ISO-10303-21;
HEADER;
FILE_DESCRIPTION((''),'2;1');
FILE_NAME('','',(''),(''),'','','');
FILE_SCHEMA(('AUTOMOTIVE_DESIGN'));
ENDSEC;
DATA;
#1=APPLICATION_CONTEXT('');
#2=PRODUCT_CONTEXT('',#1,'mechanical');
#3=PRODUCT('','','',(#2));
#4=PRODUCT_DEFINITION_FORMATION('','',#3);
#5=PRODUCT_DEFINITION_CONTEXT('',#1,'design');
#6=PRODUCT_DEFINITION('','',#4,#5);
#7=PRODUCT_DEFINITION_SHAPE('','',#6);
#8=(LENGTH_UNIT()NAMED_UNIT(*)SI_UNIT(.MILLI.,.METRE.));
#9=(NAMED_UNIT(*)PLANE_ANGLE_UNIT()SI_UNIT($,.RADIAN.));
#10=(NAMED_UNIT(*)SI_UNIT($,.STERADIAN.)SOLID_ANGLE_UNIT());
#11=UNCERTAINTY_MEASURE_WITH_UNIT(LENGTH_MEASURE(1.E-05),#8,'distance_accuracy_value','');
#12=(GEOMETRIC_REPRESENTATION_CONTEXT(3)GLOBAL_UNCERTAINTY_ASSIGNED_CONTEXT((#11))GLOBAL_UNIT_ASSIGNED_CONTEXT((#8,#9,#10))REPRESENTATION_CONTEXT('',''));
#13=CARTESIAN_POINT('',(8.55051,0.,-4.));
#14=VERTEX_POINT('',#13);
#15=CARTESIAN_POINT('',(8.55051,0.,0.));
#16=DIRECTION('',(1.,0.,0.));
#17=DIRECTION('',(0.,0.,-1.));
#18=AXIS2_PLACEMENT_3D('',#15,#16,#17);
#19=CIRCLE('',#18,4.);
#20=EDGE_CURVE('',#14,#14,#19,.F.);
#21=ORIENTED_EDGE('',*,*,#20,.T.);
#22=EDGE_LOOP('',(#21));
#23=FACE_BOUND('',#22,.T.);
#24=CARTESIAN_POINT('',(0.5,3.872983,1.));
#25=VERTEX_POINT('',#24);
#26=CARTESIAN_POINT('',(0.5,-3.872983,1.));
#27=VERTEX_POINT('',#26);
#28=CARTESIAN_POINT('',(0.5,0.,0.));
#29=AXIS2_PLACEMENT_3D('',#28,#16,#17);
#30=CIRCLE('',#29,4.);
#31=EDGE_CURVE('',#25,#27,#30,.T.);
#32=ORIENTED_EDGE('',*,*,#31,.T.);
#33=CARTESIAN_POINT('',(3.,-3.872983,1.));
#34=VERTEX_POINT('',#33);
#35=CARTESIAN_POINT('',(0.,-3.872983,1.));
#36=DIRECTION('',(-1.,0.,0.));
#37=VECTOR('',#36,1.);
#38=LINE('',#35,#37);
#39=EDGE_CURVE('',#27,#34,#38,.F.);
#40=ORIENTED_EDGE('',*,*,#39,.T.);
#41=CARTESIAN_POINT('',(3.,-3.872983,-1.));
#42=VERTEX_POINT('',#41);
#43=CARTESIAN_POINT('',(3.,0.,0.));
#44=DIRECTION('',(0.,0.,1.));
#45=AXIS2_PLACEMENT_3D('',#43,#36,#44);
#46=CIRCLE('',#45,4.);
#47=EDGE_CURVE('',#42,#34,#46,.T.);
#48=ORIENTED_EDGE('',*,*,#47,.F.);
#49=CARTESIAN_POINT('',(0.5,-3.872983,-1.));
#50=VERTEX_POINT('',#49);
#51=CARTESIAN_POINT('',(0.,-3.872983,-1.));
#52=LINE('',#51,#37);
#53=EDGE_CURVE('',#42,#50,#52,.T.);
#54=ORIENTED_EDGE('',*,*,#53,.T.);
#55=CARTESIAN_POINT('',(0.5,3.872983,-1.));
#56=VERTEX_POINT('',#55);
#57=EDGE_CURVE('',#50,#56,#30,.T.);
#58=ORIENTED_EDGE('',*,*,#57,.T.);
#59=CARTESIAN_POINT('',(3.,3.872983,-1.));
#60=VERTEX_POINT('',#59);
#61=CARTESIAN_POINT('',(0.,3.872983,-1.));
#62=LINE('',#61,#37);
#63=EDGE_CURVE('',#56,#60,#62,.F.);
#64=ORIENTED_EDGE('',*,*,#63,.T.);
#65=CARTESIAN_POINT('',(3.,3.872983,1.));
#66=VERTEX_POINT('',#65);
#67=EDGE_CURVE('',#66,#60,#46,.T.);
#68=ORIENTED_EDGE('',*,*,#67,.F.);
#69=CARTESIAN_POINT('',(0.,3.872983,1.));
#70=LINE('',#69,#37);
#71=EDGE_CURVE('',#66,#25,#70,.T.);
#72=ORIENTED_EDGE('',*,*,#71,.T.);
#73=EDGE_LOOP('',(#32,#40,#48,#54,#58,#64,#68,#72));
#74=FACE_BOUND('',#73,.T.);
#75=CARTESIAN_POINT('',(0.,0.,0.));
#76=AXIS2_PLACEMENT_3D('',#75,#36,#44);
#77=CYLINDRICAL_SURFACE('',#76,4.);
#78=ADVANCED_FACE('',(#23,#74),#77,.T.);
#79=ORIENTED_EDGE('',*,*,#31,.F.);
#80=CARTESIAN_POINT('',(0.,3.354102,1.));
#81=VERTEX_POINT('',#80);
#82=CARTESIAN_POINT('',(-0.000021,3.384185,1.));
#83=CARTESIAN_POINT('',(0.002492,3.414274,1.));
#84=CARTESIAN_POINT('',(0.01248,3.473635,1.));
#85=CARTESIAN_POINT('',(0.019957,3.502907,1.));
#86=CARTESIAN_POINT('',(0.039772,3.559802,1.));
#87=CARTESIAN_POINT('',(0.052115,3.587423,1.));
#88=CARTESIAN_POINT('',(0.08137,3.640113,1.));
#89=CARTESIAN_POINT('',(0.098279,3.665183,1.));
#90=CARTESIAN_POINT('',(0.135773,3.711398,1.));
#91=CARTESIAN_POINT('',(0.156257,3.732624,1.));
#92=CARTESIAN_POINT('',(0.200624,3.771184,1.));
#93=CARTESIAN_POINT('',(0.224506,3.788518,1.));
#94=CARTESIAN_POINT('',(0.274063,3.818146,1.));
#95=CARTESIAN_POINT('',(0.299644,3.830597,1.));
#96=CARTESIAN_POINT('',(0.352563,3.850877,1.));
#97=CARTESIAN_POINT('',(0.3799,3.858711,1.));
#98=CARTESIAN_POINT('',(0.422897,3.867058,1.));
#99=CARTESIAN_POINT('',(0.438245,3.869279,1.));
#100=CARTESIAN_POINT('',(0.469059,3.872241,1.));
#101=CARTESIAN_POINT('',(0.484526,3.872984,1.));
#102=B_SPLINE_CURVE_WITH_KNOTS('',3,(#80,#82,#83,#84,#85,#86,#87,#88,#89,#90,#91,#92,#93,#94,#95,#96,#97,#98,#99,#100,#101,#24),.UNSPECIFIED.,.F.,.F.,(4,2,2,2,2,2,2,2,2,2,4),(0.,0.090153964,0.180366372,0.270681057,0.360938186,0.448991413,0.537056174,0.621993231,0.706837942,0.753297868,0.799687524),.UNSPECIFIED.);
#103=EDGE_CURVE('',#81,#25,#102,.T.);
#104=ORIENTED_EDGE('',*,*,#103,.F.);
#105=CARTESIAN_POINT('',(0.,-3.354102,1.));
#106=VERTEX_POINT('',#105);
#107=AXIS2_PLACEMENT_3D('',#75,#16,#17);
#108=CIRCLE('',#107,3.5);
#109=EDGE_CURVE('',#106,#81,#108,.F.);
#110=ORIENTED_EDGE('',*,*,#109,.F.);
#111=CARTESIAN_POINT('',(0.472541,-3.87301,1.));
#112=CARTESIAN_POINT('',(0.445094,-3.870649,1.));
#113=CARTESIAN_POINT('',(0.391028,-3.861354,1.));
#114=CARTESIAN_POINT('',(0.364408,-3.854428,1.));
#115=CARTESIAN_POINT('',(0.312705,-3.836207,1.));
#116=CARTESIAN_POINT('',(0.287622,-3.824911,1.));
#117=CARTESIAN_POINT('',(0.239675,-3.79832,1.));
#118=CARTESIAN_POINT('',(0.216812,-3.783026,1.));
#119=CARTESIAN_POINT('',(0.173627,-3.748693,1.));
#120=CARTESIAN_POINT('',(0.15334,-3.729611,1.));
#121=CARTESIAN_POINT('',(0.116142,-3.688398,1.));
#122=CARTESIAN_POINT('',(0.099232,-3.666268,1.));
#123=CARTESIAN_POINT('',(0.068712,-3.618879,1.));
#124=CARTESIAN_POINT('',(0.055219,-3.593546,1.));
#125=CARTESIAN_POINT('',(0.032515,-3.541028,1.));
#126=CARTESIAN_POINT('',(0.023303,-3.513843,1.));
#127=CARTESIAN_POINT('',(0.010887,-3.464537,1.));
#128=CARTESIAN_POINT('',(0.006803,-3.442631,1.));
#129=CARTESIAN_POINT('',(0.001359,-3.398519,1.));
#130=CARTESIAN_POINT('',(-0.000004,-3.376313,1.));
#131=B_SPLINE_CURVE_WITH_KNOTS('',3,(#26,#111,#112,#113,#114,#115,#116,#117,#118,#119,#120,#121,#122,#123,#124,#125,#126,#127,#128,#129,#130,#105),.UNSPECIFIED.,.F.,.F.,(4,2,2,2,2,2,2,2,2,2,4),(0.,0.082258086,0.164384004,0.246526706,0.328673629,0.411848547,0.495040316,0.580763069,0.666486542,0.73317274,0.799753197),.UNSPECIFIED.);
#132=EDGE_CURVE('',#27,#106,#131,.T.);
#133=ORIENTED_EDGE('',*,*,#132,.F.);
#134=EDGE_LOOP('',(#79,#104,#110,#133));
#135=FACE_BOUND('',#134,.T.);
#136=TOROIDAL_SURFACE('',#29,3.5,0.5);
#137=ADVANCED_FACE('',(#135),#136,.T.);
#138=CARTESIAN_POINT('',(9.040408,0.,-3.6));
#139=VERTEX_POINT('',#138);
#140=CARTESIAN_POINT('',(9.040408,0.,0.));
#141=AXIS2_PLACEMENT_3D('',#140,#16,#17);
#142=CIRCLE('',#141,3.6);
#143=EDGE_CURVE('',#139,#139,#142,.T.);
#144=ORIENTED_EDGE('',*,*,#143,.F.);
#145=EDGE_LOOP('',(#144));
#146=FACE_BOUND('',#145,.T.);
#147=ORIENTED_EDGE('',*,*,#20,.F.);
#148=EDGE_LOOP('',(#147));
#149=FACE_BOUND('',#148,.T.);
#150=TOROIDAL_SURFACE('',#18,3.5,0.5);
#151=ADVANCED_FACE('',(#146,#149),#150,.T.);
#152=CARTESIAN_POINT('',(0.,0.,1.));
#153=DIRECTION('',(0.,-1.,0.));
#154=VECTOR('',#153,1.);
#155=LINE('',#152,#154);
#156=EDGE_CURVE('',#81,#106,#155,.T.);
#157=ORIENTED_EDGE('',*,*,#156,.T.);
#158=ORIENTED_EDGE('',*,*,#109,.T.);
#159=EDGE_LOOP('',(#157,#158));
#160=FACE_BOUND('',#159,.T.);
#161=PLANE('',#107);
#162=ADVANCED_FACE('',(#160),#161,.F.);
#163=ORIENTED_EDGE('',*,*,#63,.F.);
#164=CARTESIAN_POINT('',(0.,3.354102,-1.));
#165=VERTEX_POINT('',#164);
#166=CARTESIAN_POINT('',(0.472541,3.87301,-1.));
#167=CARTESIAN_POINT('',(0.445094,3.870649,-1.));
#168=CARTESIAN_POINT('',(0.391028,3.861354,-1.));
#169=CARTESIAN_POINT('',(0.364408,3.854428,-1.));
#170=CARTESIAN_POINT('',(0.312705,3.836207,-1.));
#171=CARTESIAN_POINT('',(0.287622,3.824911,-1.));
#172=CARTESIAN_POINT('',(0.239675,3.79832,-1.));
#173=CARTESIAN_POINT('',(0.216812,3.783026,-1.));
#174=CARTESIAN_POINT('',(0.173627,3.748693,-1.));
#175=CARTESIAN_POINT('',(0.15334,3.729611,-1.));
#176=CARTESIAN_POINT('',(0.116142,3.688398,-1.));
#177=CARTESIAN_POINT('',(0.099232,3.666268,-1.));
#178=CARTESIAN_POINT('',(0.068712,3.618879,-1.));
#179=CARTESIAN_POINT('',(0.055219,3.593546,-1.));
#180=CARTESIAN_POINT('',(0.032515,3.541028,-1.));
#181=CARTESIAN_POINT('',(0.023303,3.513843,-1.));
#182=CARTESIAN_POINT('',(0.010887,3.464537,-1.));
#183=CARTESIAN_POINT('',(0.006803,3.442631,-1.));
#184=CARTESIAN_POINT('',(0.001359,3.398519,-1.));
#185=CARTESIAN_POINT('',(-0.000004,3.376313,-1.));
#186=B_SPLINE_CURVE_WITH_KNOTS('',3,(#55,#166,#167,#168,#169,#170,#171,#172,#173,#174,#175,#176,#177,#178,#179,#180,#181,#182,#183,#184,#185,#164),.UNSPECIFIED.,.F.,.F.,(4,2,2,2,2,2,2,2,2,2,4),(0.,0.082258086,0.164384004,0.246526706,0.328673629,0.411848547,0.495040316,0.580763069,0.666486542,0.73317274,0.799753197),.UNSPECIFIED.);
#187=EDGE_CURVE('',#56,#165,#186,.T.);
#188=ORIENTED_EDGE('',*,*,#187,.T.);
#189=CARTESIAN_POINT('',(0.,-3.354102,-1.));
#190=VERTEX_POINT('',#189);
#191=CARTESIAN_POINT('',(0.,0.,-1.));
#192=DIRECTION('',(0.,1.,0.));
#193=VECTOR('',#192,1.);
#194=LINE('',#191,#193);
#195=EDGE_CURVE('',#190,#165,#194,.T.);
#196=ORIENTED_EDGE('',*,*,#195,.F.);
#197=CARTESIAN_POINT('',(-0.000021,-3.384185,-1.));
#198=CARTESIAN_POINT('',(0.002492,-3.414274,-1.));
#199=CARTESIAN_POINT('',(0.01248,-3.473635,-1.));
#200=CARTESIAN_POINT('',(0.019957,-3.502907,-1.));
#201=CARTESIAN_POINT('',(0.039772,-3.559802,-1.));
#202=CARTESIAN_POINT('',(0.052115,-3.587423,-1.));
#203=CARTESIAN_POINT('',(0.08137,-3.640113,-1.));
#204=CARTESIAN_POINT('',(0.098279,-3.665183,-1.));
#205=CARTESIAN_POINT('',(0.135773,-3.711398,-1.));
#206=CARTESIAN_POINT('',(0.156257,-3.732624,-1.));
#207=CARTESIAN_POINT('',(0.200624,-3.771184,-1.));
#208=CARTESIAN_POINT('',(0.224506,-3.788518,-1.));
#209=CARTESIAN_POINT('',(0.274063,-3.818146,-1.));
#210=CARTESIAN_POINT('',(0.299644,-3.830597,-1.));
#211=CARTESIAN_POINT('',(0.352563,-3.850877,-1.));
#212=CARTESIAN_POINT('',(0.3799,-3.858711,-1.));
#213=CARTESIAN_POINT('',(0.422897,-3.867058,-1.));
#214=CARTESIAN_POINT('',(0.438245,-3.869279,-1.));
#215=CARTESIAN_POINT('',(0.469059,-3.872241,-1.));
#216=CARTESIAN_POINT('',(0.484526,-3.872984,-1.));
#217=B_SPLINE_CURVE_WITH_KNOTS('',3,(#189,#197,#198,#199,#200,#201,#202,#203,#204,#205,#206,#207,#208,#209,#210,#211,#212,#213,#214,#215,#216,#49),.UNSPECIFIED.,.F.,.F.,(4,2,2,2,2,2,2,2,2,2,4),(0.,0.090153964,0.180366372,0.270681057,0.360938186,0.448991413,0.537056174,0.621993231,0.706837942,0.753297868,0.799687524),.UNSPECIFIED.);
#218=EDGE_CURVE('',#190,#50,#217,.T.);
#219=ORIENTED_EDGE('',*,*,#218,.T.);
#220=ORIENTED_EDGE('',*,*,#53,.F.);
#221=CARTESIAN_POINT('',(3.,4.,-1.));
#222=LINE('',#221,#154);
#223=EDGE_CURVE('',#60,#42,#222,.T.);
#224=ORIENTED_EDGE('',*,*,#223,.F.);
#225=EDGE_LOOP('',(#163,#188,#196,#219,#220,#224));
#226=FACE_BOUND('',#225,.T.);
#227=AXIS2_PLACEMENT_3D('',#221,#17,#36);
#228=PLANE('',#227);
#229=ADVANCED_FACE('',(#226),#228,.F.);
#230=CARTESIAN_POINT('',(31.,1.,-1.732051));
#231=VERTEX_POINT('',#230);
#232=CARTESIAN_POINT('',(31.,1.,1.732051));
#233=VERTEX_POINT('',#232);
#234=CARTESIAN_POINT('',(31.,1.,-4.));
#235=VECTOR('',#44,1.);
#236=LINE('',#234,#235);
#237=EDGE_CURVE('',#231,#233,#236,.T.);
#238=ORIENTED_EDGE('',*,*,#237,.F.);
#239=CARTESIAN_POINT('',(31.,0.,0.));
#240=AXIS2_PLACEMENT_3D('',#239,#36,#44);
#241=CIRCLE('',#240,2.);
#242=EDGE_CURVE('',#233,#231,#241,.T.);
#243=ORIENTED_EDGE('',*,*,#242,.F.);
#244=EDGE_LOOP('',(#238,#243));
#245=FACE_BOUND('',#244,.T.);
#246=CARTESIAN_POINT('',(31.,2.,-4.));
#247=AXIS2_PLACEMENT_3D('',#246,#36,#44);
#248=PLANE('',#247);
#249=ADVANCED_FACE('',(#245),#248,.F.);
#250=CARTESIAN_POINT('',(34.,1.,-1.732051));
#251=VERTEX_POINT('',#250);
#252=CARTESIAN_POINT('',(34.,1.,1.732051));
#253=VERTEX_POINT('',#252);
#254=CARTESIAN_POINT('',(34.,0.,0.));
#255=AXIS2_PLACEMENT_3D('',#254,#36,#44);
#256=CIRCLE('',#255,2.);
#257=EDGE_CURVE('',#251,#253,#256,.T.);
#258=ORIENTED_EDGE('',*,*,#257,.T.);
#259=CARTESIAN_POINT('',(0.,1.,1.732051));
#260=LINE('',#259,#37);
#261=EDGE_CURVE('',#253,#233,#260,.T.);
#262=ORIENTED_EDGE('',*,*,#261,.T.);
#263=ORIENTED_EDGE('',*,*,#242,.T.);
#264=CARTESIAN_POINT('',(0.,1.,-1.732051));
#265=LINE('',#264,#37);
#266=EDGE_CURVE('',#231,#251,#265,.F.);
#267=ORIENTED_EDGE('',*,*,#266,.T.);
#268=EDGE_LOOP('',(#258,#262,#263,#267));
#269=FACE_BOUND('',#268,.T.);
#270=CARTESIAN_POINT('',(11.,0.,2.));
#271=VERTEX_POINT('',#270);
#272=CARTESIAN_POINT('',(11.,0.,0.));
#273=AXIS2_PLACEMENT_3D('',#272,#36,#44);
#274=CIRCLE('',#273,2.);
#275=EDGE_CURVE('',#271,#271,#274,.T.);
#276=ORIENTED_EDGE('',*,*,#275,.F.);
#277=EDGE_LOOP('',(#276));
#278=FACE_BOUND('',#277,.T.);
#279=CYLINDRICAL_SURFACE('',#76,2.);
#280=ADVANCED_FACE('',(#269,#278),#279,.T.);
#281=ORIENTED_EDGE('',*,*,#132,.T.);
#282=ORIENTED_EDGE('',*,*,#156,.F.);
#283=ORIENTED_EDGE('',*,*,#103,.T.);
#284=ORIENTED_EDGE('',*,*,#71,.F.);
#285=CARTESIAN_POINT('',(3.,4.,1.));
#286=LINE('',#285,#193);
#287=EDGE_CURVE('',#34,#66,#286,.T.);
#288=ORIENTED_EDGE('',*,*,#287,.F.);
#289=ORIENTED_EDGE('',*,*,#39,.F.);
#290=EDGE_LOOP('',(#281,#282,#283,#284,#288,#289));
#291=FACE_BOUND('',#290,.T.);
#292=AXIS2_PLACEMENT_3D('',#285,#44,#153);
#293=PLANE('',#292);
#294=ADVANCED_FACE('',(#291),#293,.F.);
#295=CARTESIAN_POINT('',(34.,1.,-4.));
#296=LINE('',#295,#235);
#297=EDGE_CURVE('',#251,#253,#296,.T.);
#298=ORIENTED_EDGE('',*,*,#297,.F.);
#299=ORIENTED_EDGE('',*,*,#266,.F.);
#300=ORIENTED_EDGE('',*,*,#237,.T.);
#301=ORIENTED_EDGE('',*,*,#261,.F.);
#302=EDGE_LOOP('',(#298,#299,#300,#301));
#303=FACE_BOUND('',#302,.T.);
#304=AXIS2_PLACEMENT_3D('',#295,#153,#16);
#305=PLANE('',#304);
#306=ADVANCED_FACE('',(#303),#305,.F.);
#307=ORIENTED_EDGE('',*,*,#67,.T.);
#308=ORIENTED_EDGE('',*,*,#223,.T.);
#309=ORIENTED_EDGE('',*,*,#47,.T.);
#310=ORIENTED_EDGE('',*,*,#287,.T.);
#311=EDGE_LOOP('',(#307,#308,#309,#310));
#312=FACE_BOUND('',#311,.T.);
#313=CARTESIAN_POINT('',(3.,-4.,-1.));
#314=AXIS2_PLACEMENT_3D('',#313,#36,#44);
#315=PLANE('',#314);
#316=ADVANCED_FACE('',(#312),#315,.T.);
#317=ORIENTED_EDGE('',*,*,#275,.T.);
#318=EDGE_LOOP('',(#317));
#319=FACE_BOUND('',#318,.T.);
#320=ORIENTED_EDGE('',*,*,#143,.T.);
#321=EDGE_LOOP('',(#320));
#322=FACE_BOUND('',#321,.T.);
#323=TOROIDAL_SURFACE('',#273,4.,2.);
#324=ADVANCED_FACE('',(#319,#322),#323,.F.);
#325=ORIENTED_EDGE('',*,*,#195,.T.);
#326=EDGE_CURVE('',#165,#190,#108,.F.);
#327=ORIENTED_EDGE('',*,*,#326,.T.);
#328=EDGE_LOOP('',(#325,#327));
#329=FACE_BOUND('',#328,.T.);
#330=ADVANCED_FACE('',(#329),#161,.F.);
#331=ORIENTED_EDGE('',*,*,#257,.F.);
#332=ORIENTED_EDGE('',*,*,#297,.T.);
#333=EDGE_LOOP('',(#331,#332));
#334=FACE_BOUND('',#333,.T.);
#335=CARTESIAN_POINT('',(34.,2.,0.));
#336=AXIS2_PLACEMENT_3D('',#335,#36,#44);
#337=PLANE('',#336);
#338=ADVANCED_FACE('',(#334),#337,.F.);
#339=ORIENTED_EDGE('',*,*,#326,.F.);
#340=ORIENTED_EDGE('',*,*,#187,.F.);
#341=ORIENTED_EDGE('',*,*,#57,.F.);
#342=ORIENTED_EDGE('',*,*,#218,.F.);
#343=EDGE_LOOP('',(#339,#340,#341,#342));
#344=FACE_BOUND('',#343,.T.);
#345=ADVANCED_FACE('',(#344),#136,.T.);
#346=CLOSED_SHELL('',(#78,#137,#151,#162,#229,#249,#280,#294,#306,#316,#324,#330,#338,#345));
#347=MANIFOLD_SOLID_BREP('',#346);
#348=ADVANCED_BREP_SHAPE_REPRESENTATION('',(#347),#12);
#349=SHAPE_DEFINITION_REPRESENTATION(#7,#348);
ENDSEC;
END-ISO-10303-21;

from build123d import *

# Parameters (mm, degrees)
SKETCH2_W          = 2
SKETCH2_H          = 8
CUT_EXTRUDE1_DEPTH = 3
FILLET1_R          = 0.5
SKETCH3_W          = 3
SKETCH3_H          = 1
CUT_EXTRUDE2_DEPTH = 4


with BuildPart() as part:
    # Sketch1 → Revolve1 (revolve)
    with BuildSketch(Plane.XY):
        with BuildLine():
            Line((0, 0), (0, 4))
            Line((0, 4), (9, 4))
            ThreePointArc((9, 4), (9.585786438, 2.585786438), (11, 2))
            Line((11, 2), (34, 2))
            Line((34, 2), (34, 0))
            Line((34, 0), (0, 0))
        make_face()
    revolve(axis=Axis((0, 0, 0), (1, 0, 0)))

    # Sketch2 → Cut-Extrude1 (cut)
    with BuildSketch(Plane.ZY):
        Rectangle(SKETCH2_W, SKETCH2_H)
    extrude(amount=-CUT_EXTRUDE1_DEPTH, mode=Mode.SUBTRACT)

    # Fillet1
    fillet1_edges = [part.edges().sort_by_distance(p)[0] for p in [
        (0, 0, -4),
        (0, 0, 4),
        (9, -4, 0),
    ]]
    fillet(fillet1_edges, radius=FILLET1_R)

    # Sketch3 → Cut-Extrude2 (cut, symmetric)
    with BuildSketch(Plane.XY):
        with Locations((32.5, 1.5)):
            Rectangle(SKETCH3_W, SKETCH3_H)
    extrude(amount=CUT_EXTRUDE2_DEPTH, both=True, mode=Mode.SUBTRACT)


solid = part.part
